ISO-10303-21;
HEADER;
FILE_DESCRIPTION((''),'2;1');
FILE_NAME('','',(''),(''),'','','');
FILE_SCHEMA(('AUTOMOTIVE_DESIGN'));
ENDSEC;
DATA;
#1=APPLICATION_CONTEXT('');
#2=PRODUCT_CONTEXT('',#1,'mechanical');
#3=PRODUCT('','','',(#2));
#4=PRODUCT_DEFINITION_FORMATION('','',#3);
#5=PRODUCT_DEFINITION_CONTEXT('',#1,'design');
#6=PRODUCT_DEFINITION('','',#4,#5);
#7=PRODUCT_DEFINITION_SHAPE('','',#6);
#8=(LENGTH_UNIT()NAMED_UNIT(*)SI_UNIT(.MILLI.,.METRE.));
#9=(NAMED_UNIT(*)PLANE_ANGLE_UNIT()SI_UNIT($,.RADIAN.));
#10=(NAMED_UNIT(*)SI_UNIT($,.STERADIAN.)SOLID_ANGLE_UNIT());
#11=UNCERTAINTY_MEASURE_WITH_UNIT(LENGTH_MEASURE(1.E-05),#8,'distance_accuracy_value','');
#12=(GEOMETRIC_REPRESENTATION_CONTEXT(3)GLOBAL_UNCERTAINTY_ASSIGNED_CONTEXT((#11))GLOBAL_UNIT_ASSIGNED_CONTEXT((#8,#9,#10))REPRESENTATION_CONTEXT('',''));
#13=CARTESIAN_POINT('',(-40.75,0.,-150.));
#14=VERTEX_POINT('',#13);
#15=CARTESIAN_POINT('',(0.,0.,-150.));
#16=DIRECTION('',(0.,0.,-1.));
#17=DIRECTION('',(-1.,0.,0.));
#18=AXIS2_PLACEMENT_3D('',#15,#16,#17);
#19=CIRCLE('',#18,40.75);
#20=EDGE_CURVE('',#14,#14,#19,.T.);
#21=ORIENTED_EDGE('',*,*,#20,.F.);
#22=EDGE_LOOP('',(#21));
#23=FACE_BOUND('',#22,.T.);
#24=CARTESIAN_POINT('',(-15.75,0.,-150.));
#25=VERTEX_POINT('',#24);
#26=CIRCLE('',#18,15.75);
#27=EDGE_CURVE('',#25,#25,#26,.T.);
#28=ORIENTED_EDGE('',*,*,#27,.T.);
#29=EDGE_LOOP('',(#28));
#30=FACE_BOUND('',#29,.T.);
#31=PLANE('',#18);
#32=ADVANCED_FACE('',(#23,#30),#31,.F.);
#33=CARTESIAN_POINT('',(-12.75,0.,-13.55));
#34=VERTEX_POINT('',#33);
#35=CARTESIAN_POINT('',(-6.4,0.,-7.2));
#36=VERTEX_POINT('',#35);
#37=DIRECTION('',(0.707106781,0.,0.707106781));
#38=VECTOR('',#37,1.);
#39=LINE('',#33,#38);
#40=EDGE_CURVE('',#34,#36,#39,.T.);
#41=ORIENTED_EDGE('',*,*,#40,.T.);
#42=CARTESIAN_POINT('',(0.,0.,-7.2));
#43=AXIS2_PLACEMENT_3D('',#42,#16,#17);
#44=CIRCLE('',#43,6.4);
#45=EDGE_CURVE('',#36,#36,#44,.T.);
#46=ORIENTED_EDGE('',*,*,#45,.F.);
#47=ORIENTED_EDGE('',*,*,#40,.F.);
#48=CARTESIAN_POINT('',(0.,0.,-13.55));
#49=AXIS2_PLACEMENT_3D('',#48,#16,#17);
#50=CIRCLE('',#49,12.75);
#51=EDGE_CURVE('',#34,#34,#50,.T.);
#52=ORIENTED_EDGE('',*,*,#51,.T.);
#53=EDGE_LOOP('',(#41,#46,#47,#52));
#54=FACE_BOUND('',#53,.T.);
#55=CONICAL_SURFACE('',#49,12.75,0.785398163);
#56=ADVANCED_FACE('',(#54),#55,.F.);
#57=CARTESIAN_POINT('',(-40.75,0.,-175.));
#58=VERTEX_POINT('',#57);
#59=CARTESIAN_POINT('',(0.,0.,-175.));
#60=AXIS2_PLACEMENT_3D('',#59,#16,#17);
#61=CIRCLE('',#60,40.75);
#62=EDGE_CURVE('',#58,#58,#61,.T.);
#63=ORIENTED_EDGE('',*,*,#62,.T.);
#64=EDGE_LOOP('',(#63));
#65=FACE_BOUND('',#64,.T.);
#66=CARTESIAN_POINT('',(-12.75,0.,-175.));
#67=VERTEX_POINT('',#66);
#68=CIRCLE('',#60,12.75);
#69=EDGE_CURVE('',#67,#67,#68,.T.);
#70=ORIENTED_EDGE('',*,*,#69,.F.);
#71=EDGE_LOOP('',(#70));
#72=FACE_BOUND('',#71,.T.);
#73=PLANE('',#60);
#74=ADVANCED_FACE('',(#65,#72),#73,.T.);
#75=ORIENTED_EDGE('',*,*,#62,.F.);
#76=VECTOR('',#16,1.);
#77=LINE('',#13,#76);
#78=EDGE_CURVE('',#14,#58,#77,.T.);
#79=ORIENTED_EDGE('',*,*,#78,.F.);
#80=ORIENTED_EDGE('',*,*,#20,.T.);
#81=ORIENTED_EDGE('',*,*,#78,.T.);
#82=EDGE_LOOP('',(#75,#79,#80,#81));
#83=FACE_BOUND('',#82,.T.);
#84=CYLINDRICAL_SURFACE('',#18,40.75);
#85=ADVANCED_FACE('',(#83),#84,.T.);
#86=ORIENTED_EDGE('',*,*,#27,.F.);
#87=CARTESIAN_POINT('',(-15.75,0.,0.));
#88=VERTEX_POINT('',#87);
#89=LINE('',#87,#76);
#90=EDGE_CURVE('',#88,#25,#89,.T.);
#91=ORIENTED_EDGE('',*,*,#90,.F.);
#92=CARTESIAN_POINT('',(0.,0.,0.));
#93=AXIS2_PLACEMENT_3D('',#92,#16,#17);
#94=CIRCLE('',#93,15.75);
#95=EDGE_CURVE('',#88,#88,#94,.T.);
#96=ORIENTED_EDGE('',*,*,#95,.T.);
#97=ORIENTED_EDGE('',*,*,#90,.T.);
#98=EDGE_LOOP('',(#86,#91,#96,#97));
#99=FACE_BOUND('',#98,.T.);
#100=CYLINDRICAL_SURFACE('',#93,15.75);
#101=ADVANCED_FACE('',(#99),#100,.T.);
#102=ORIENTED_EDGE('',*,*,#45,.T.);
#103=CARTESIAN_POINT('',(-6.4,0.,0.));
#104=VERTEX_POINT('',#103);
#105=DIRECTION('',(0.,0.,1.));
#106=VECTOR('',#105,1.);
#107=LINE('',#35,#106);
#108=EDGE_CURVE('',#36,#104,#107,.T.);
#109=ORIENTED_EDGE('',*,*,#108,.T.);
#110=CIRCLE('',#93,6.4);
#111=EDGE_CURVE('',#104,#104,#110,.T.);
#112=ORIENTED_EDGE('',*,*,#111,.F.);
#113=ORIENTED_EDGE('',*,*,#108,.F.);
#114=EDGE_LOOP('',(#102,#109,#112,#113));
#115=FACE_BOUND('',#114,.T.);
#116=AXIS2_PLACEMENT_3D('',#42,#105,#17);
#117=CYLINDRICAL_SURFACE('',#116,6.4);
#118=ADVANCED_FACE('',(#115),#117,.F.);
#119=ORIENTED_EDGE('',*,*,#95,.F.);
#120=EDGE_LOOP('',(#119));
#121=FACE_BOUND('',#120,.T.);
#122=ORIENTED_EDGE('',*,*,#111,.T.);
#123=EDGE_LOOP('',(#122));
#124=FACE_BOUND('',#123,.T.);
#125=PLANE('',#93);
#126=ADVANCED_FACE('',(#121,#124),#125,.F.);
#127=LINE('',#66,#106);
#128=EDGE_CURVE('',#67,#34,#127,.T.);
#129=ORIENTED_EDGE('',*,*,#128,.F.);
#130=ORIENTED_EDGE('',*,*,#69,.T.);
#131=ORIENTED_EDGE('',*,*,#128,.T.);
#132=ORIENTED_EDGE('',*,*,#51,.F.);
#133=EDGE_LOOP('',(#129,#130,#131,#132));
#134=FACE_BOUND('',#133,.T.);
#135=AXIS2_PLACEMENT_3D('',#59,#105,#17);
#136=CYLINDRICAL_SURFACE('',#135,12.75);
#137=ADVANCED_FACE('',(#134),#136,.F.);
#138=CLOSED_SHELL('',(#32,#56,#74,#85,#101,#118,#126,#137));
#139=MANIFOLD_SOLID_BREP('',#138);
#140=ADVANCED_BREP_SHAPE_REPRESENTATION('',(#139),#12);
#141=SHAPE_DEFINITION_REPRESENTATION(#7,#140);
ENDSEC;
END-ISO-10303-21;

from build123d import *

# Parameters (mm, degrees)
F3_ANGLE = 180


with BuildPart() as f1:
    # F0 (on Front) → F1 (revolve)
    with BuildSketch(Plane.XZ):
        Polygon((12.75, 150), (15.75, 150), (40.75, 150), (40.75, 175), (12.75, 175), align=None)
        Polygon((6.4, 0), (12.75, 0), (12.75, 13.55), (6.4, 7.2), align=None)
        Polygon((12.75, 0), (15.75, 0), (15.75, 150), (12.75, 150), (12.75, 13.55), align=None)
    revolve(axis=Axis((0, 0, 75), (0, 0, 1)))


with BuildPart() as f1_1:
    # F3: moved
    add(f1.part.rotate(Axis((0, 25.257772, 0), (0, 1, 0)), F3_ANGLE))


solid = f1_1.part
